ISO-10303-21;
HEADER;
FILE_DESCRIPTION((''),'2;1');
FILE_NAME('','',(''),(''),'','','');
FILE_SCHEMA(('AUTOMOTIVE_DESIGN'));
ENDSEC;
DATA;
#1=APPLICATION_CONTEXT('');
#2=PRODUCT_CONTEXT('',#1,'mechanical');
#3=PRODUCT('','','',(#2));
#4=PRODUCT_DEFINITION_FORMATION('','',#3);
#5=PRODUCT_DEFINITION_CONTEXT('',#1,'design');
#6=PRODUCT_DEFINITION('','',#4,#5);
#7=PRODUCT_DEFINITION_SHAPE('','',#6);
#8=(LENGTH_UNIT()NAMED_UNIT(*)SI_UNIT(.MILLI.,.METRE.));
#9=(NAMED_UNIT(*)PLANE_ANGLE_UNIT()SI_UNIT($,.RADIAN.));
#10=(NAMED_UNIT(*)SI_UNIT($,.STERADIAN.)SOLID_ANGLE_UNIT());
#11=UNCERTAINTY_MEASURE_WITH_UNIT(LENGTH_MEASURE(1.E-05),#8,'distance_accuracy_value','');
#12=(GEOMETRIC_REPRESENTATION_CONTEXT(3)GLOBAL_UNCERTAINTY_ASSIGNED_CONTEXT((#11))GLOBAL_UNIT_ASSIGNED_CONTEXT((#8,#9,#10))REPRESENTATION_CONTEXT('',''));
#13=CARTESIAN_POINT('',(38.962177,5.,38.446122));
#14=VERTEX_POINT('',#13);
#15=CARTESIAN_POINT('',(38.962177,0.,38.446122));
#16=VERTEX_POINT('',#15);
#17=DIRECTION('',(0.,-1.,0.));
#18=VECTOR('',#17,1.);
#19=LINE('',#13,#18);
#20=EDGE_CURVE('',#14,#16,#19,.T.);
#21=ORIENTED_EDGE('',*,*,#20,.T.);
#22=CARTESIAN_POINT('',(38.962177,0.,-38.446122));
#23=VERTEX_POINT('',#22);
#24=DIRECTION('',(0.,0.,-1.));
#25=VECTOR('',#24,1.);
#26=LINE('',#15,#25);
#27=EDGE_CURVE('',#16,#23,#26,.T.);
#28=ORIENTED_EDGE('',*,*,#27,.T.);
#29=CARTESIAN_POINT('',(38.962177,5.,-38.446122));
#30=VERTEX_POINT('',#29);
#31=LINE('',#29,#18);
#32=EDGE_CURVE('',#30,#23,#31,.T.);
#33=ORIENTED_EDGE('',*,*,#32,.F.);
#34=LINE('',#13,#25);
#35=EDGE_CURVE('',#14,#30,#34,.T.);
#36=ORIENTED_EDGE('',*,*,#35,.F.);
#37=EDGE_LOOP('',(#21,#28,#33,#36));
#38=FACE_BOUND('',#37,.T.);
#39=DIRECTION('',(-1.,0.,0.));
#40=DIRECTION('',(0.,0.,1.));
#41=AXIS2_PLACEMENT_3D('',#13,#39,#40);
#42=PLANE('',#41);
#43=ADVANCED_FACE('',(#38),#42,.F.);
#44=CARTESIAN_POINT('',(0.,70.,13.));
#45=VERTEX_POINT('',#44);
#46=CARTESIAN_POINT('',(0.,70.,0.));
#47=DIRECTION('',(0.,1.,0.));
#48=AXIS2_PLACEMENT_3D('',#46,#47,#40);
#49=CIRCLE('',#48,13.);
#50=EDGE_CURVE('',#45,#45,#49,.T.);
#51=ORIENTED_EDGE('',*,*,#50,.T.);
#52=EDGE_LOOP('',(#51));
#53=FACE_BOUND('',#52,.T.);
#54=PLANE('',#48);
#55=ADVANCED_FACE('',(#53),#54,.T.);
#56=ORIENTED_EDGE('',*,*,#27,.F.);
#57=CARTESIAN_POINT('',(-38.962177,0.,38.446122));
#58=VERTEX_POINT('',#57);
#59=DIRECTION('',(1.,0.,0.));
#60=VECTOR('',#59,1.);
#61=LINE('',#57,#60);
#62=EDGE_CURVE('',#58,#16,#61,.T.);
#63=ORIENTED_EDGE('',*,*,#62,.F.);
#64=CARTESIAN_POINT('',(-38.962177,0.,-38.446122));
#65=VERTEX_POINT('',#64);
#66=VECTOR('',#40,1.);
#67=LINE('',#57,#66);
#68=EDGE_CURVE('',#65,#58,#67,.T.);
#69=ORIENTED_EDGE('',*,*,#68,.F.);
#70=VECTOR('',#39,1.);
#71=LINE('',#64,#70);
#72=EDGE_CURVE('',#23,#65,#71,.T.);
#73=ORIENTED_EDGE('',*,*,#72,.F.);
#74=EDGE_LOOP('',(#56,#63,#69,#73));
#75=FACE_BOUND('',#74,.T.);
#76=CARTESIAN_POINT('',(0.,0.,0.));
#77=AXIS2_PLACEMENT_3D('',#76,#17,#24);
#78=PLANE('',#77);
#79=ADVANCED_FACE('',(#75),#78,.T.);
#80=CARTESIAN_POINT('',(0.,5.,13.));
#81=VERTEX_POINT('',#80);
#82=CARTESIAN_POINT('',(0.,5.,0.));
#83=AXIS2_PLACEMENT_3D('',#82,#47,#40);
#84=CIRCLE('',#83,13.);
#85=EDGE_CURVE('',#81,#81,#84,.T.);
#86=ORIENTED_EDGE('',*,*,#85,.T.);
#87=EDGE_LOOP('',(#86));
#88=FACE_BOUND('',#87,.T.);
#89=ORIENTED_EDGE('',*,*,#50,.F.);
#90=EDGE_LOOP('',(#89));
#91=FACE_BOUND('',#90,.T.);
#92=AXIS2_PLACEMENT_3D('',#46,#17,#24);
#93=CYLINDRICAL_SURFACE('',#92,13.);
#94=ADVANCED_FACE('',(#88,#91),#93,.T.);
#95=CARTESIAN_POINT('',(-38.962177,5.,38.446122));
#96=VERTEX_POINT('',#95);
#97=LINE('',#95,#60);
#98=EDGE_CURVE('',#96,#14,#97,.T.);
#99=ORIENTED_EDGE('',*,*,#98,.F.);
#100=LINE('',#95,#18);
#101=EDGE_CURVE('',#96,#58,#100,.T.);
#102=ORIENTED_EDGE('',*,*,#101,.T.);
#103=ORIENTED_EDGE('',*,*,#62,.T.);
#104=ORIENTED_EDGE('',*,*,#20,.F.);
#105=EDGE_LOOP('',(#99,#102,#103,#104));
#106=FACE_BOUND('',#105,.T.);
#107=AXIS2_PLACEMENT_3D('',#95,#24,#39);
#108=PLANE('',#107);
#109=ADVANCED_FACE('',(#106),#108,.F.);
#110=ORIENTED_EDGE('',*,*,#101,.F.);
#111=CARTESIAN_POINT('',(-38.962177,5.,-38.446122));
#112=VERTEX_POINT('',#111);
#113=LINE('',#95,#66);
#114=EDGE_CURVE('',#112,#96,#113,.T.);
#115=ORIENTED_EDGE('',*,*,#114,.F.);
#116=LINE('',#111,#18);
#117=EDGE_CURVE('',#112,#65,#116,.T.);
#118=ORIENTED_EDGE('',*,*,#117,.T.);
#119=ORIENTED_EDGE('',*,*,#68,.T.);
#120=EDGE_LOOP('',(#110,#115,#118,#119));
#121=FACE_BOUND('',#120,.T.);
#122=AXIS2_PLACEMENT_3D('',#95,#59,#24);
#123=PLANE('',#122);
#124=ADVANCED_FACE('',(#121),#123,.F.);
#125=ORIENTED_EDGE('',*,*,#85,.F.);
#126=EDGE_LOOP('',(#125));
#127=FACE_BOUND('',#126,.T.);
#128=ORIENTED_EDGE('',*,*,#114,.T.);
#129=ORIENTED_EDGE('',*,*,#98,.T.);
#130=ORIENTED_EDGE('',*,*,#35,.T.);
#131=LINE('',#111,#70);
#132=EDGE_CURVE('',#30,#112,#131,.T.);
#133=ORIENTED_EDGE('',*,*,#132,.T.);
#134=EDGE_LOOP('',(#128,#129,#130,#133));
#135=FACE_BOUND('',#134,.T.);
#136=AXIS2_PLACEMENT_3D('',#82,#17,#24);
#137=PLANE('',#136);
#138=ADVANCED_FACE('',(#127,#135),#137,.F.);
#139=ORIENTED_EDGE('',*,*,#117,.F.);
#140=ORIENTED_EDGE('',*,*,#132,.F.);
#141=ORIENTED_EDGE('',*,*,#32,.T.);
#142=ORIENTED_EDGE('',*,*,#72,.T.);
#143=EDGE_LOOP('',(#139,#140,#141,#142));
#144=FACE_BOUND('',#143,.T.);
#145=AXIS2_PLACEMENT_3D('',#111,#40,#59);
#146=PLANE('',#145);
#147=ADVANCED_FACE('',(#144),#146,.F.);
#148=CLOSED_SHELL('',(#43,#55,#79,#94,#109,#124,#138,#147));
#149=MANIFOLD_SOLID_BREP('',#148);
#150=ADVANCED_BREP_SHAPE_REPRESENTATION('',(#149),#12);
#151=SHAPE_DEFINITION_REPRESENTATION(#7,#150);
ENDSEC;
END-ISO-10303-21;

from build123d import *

# Parameters (mm, degrees)
SKETCH1_W           = 77.924354106
SKETCH1_H           = 76.892243456
BOSS_EXTRUDE1_DEPTH = 5
SKETCH2_R           = 13
BOSS_EXTRUDE2_DEPTH = 65


with BuildPart() as part:
    # Sketch1 → Boss-Extrude1 (new body)
    with BuildSketch(Plane(origin=(0, 0, 0), x_dir=(1, 0, 0), z_dir=(0, 1, 0))):
        Rectangle(SKETCH1_W, SKETCH1_H)
    extrude(amount=BOSS_EXTRUDE1_DEPTH)

    # Sketch2 → Boss-Extrude2 (add)
    with BuildSketch(Plane(origin=(0, 5, 0), x_dir=(1, 0, 0), z_dir=(0, 1, 0))):
        Circle(SKETCH2_R)
    extrude(amount=BOSS_EXTRUDE2_DEPTH)


solid = part.part
